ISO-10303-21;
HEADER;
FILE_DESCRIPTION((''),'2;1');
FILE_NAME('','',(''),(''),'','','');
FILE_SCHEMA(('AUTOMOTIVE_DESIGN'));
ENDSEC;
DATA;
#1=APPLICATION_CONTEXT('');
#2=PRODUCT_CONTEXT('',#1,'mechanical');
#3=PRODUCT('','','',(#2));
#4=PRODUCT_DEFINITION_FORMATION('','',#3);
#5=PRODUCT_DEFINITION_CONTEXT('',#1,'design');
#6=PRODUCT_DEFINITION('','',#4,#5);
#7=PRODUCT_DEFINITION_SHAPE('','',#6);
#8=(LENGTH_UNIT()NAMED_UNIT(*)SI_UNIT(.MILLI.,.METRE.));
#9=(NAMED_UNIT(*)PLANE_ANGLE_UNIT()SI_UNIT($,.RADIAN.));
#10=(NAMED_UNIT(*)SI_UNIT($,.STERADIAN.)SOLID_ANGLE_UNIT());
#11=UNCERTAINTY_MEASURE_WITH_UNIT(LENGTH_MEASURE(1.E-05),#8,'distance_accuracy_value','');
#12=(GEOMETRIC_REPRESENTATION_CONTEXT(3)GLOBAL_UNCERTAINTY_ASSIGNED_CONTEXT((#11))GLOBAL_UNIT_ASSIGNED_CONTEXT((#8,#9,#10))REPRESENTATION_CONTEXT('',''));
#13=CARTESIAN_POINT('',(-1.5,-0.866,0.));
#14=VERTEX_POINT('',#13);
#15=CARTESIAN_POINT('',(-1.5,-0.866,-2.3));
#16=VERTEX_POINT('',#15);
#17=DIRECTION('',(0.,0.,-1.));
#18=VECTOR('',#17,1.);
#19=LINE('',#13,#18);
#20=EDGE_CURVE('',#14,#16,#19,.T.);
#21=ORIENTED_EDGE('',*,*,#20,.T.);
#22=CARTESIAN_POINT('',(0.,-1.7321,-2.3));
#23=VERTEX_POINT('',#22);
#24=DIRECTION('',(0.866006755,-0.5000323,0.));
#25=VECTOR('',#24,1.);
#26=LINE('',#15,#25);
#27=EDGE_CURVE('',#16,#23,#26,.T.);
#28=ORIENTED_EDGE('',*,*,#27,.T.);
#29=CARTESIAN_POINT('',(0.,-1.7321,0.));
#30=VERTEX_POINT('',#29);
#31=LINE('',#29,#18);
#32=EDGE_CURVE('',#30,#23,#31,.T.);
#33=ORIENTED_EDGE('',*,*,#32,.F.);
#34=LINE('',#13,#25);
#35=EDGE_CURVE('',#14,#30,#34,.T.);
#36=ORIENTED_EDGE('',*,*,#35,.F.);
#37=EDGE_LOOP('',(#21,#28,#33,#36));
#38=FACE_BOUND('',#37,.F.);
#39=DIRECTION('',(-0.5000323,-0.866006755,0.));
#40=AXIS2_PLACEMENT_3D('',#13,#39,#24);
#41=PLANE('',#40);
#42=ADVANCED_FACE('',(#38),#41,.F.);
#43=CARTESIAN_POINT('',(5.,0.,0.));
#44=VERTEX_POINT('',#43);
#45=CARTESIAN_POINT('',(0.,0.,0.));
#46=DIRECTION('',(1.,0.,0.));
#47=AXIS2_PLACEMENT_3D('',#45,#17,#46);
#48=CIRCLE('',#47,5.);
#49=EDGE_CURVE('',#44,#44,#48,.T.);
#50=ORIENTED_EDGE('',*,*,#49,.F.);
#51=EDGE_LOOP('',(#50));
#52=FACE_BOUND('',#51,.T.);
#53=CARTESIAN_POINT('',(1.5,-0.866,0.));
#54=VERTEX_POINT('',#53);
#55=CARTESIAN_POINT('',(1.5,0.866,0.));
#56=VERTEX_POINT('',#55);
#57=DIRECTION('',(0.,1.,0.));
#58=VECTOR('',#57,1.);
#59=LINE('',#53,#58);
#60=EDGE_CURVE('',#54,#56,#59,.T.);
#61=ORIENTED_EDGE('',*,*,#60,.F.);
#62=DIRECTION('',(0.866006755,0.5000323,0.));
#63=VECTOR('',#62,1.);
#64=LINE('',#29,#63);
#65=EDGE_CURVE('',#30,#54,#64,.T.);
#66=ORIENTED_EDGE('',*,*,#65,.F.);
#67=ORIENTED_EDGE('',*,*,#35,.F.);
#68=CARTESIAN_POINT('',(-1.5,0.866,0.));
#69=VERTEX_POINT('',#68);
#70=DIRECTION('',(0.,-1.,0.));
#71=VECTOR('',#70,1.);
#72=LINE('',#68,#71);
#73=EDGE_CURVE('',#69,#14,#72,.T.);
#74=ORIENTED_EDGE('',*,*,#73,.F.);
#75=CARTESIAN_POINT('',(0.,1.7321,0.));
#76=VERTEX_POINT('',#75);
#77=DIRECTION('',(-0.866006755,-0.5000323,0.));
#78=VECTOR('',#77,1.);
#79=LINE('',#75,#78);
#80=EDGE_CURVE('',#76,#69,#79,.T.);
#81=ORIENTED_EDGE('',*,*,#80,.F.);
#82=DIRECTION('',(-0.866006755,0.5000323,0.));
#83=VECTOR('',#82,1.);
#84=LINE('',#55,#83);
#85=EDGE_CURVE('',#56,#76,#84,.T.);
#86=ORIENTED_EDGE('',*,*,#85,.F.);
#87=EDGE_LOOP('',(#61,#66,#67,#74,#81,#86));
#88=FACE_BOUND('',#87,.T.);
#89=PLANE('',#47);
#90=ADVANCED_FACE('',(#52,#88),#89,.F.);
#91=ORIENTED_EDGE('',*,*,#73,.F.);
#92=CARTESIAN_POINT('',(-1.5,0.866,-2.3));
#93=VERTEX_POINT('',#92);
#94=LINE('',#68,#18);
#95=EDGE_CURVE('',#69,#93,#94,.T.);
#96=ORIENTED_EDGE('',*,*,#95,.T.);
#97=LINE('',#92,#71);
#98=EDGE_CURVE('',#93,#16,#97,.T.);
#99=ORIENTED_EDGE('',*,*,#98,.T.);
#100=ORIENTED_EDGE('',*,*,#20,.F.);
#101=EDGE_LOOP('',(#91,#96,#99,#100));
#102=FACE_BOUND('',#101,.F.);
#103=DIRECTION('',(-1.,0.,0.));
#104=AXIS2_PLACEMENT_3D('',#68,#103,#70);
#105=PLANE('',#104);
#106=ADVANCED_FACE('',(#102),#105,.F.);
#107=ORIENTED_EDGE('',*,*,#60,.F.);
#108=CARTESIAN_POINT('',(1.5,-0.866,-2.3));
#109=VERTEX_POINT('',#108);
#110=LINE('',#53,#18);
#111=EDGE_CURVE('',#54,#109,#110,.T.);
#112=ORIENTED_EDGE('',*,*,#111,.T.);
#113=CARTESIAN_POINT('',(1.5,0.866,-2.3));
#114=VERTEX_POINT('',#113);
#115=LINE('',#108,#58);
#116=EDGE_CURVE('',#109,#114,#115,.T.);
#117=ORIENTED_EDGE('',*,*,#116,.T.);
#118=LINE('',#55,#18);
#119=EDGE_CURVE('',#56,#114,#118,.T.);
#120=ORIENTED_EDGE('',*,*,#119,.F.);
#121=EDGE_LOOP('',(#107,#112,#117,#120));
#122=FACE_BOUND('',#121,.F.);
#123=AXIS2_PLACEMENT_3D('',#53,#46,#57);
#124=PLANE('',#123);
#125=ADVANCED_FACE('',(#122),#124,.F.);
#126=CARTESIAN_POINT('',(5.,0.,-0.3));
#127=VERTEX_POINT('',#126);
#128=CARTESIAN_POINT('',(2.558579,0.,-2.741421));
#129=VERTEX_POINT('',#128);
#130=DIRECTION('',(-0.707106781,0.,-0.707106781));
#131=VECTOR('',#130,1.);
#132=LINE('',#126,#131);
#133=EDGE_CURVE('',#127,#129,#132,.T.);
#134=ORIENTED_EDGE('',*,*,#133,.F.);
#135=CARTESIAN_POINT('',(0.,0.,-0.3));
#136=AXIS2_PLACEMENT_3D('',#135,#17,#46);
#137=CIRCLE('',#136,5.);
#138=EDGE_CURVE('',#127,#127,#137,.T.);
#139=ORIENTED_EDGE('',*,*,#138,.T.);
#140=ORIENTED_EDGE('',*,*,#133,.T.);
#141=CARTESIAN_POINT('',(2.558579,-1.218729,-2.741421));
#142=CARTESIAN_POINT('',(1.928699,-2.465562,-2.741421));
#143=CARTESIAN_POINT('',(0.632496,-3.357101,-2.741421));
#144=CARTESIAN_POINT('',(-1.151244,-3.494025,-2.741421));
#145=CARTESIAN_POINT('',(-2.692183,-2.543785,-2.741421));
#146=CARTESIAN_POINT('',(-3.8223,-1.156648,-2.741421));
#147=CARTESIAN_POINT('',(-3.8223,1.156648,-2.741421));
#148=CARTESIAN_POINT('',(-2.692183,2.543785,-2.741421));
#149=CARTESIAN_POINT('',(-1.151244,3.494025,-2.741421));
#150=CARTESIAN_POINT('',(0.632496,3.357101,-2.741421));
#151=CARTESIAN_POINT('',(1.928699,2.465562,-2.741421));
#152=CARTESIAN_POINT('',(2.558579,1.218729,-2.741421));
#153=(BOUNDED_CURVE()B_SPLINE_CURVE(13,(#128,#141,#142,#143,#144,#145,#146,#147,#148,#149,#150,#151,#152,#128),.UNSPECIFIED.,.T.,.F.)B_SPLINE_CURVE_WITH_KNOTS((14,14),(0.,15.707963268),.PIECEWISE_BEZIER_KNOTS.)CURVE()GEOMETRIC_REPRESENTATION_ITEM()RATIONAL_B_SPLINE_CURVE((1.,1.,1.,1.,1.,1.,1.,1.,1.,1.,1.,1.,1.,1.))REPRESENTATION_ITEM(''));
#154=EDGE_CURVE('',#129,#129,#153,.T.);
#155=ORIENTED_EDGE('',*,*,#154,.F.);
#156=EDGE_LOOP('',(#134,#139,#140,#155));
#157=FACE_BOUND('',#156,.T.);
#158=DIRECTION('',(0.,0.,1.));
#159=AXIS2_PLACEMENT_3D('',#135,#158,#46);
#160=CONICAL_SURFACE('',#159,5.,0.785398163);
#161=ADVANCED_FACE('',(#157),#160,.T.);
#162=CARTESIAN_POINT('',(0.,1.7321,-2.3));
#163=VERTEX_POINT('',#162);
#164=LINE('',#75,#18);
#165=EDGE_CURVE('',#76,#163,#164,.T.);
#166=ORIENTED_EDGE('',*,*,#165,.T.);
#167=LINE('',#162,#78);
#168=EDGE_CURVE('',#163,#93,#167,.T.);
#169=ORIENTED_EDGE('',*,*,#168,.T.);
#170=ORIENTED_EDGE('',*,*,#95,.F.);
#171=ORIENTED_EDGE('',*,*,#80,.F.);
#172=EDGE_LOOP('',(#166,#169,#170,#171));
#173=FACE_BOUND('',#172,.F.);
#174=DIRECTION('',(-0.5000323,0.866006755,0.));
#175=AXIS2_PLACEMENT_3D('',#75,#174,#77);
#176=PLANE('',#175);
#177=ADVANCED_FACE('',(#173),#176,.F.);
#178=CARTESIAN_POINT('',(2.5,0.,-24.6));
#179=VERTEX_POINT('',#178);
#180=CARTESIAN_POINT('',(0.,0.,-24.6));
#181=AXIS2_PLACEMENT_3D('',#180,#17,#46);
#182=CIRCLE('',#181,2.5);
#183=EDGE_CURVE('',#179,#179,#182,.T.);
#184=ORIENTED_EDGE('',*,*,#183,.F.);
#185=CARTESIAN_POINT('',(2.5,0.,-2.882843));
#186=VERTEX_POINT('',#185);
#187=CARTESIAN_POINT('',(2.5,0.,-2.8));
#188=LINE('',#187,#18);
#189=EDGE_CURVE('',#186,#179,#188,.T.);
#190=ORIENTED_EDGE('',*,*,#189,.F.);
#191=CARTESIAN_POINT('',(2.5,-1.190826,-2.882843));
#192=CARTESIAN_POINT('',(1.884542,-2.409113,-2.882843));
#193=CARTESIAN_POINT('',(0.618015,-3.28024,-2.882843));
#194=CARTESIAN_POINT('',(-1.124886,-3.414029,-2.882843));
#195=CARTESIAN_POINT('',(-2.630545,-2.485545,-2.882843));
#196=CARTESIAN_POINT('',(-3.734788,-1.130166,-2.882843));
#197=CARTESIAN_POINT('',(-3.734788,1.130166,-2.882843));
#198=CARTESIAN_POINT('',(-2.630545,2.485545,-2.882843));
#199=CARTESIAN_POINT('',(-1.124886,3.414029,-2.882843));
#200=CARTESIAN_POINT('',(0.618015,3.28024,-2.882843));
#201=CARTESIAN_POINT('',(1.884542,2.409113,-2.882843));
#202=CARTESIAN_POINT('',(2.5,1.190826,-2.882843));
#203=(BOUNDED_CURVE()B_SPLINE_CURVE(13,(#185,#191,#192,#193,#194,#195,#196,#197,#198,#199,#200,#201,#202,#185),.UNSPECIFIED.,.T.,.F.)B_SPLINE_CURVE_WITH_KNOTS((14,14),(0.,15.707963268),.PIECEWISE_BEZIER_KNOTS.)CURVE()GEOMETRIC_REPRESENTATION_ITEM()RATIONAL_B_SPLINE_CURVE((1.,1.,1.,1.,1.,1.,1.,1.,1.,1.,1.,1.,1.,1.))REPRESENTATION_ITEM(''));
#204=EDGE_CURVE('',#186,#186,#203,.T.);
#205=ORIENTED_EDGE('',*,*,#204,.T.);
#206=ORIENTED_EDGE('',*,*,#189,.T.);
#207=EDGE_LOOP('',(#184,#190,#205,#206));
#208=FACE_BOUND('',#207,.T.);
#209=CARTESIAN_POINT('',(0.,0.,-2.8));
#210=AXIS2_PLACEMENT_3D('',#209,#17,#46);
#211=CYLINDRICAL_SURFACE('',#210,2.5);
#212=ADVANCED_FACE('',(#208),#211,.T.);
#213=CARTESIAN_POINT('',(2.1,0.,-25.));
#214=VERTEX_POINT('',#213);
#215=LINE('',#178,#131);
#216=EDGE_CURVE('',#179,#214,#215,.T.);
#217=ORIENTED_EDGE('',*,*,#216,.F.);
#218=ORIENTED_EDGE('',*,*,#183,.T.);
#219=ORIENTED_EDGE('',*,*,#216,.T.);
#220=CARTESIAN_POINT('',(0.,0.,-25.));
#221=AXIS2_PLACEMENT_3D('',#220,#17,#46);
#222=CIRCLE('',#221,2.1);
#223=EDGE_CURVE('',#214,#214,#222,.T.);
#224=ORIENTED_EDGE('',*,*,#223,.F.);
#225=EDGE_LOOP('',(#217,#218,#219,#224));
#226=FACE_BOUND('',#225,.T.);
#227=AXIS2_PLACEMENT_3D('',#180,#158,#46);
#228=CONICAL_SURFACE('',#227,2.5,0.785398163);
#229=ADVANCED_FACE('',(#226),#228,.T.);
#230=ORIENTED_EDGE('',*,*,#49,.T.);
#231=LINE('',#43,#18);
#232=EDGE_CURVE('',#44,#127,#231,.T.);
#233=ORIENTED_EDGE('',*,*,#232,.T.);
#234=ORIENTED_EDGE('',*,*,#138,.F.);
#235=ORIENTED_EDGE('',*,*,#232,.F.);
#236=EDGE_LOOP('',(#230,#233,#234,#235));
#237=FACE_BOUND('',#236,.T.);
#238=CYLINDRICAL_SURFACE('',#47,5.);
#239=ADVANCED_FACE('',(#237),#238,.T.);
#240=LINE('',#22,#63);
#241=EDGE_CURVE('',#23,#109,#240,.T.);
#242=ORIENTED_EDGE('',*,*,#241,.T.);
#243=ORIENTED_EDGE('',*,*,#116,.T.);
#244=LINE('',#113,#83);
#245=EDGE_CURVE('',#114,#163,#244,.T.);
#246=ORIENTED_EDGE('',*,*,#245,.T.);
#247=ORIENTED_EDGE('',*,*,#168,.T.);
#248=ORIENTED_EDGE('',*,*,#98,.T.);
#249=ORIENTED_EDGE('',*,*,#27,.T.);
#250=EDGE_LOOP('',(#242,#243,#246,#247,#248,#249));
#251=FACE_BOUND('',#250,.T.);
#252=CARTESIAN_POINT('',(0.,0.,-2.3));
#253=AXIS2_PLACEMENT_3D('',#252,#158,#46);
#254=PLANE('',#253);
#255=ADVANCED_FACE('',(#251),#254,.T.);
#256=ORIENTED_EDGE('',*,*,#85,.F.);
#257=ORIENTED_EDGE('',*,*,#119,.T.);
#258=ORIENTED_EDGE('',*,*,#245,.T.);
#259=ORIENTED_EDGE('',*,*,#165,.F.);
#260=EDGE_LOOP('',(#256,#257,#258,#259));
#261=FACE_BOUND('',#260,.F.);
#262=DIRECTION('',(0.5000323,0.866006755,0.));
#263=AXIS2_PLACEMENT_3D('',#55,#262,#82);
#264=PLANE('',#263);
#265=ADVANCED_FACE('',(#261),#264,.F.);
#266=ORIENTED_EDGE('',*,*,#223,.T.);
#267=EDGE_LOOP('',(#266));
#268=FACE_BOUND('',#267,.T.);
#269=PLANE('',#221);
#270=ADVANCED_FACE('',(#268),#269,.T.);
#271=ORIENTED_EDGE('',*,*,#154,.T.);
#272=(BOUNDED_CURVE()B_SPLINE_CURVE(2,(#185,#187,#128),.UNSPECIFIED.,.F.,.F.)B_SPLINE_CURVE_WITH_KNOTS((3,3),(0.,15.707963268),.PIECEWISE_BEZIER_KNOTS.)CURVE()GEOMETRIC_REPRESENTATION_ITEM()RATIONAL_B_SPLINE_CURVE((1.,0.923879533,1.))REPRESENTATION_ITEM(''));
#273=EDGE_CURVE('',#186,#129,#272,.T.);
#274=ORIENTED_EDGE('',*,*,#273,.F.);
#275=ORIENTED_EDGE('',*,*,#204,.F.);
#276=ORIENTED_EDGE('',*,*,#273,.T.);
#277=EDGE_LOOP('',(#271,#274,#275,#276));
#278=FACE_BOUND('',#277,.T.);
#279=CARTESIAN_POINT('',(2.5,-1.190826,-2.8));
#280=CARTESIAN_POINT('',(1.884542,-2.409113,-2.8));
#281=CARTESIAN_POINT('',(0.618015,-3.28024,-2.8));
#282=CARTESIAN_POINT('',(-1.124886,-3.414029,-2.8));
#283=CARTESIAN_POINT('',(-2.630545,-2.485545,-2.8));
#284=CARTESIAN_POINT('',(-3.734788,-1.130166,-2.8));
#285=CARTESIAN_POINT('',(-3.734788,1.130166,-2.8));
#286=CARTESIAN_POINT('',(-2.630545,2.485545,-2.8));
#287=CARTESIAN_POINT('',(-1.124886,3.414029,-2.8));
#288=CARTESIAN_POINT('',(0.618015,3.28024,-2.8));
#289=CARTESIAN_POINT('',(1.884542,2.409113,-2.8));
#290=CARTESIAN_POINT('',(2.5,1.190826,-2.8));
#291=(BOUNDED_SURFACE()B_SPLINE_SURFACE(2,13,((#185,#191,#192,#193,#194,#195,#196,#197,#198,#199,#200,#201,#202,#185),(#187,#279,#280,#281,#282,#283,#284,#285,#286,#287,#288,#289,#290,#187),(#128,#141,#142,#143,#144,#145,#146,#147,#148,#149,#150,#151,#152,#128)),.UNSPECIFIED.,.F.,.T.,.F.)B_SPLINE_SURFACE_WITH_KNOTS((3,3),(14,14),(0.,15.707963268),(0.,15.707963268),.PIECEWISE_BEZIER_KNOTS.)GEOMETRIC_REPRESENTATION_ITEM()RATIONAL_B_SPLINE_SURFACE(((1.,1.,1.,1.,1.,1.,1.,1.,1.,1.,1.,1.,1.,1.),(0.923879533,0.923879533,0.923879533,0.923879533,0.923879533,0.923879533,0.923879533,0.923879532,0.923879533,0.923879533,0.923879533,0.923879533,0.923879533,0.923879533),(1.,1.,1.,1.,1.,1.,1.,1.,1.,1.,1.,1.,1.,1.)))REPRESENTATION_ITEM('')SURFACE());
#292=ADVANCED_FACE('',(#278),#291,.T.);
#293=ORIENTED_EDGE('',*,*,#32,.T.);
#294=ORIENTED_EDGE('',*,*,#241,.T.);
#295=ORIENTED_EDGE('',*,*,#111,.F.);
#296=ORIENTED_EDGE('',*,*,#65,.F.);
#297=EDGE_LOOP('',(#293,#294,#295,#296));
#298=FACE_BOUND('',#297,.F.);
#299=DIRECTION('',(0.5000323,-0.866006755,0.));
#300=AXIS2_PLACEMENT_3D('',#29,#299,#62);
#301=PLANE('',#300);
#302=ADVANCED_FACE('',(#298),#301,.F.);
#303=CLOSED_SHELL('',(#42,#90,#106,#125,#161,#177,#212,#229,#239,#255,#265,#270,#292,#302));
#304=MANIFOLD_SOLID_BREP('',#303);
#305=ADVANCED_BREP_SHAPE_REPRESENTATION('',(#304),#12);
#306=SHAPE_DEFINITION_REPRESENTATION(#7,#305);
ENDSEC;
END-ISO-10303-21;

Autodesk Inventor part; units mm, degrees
ref_plane "YZ Plane" through (0, 0, 0) normal (1, 0, 0) x (0, 1, 0)
sketch "Szkic1" plane through (0, 0, 0) normal (0, 1, 0) x (-1, 0, 0)
  point P0 (0, 0)
sketch "Szkic2" plane through (0, 0, 0) normal (0, 1, 0) x (-1, 0, 0)
  line L0 (-2.5, -25) -> (0, -25)
  line L1 (-2.5, -2.8) -> (-2.5, -25)
  line L2 (-5, -0.3) -> (-2.5, -2.8)
  line L3 (-5, 0) -> (-5, -0.3)
  line L4 (0, 0) -> (-5, 0)
  line L5 (0, -25) -> (0, 0)
  line L6 (0, -25) -> (0, 0)
  line L7 (0, -30) -> (0, 5) projected
  line L8 (1, 0) -> (-6, 0) projected
  dimension "d3" = 5
  dimension "d5" = 2.5
  dimension "d7" = 25
  dimension "ParC" = 0.3
  dimension "d22" = 0
  dimension "d23" = 0
  dimension "d43" = 45
revolve "Obrót1" add sketch "Szkic2" angle 360 about axis through (0, 0, -25) along (0, 0, -1)
sketch "Szkic3" plane through (0, 0, 0) normal (0, 0, 1) x (1, 0, 0)
  line L0 (-1.5, 0.866) -> (-1.5, -0.866)
  line L1 (0, 1.7321) -> (-1.5, 0.866)
  line L2 (1.5, 0.866) -> (0, 1.7321)
  line L3 (1.5, -0.866) -> (1.5, 0.866)
  line L4 (0, -1.7321) -> (1.5, -0.866)
  line L5 (-1.5, -0.866) -> (0, -1.7321)
  circle A0 centre (0, 0) radius 1.5 construction
  circle A1 centre (0, 0) radius 2.5 construction
  dimension "d11" = 3
  dimension "d13" = 120
  dimension "d15" = 120
extrude "Wyciągnięcie proste1" cut sketch "Szkic3" against normal blind 2.3
fillet "Zaokrąglenie1" radius 0.2 1 edges at (-2.5, 0, -2.8)
chamfer "Faza1" distance 0.4 angle 45 1 edges at (-2.5, 0, -25) measured on face at (-0.599, -2.4272, -17.6276)
thread "Gwint1" size "M5x0.8" class "6g" standard "ISO Metric profile" length 16
ref_plane "MSC_PF1" through (0, 0, 0) normal (1, 0, 0) x (0, 1, 0)
ref_plane "MSC_PT1" through (0, 0, 0) normal (0, 0, -1) x (-1, 0, 0)
equation "\"d3\" = 0.5 * dk"
equation "\"d5\" = 0.5 * NND"
equation "\"d7\" = NLG"
equation "\"d43\" = 0.5 * ang"
equation "\"d11\" = ParS"
equation "\"d16\" = ParT"
equation "\"d18\" = r"
equation "\"d19\" = 0.5 * PTC"
equation "\"d39\" = 0.5 * PTC"
equation "\"NND\" = 5"
equation "\"PTC\" = 0.8"
equation "\"ParK\" = 2.8"
equation "\"ParS\" = 3"
equation "\"ParT\" = 2.3"
equation "\"r\" = 0.2"
equation "\"NLG\" = 25"
equation "\"ang\" = 90deg"
equation "\"THREADDIA\" = NND"
equation "\"dk\" = 10"
properties part number "DIN 7991 - M5x25" material "Stal, miękka"
